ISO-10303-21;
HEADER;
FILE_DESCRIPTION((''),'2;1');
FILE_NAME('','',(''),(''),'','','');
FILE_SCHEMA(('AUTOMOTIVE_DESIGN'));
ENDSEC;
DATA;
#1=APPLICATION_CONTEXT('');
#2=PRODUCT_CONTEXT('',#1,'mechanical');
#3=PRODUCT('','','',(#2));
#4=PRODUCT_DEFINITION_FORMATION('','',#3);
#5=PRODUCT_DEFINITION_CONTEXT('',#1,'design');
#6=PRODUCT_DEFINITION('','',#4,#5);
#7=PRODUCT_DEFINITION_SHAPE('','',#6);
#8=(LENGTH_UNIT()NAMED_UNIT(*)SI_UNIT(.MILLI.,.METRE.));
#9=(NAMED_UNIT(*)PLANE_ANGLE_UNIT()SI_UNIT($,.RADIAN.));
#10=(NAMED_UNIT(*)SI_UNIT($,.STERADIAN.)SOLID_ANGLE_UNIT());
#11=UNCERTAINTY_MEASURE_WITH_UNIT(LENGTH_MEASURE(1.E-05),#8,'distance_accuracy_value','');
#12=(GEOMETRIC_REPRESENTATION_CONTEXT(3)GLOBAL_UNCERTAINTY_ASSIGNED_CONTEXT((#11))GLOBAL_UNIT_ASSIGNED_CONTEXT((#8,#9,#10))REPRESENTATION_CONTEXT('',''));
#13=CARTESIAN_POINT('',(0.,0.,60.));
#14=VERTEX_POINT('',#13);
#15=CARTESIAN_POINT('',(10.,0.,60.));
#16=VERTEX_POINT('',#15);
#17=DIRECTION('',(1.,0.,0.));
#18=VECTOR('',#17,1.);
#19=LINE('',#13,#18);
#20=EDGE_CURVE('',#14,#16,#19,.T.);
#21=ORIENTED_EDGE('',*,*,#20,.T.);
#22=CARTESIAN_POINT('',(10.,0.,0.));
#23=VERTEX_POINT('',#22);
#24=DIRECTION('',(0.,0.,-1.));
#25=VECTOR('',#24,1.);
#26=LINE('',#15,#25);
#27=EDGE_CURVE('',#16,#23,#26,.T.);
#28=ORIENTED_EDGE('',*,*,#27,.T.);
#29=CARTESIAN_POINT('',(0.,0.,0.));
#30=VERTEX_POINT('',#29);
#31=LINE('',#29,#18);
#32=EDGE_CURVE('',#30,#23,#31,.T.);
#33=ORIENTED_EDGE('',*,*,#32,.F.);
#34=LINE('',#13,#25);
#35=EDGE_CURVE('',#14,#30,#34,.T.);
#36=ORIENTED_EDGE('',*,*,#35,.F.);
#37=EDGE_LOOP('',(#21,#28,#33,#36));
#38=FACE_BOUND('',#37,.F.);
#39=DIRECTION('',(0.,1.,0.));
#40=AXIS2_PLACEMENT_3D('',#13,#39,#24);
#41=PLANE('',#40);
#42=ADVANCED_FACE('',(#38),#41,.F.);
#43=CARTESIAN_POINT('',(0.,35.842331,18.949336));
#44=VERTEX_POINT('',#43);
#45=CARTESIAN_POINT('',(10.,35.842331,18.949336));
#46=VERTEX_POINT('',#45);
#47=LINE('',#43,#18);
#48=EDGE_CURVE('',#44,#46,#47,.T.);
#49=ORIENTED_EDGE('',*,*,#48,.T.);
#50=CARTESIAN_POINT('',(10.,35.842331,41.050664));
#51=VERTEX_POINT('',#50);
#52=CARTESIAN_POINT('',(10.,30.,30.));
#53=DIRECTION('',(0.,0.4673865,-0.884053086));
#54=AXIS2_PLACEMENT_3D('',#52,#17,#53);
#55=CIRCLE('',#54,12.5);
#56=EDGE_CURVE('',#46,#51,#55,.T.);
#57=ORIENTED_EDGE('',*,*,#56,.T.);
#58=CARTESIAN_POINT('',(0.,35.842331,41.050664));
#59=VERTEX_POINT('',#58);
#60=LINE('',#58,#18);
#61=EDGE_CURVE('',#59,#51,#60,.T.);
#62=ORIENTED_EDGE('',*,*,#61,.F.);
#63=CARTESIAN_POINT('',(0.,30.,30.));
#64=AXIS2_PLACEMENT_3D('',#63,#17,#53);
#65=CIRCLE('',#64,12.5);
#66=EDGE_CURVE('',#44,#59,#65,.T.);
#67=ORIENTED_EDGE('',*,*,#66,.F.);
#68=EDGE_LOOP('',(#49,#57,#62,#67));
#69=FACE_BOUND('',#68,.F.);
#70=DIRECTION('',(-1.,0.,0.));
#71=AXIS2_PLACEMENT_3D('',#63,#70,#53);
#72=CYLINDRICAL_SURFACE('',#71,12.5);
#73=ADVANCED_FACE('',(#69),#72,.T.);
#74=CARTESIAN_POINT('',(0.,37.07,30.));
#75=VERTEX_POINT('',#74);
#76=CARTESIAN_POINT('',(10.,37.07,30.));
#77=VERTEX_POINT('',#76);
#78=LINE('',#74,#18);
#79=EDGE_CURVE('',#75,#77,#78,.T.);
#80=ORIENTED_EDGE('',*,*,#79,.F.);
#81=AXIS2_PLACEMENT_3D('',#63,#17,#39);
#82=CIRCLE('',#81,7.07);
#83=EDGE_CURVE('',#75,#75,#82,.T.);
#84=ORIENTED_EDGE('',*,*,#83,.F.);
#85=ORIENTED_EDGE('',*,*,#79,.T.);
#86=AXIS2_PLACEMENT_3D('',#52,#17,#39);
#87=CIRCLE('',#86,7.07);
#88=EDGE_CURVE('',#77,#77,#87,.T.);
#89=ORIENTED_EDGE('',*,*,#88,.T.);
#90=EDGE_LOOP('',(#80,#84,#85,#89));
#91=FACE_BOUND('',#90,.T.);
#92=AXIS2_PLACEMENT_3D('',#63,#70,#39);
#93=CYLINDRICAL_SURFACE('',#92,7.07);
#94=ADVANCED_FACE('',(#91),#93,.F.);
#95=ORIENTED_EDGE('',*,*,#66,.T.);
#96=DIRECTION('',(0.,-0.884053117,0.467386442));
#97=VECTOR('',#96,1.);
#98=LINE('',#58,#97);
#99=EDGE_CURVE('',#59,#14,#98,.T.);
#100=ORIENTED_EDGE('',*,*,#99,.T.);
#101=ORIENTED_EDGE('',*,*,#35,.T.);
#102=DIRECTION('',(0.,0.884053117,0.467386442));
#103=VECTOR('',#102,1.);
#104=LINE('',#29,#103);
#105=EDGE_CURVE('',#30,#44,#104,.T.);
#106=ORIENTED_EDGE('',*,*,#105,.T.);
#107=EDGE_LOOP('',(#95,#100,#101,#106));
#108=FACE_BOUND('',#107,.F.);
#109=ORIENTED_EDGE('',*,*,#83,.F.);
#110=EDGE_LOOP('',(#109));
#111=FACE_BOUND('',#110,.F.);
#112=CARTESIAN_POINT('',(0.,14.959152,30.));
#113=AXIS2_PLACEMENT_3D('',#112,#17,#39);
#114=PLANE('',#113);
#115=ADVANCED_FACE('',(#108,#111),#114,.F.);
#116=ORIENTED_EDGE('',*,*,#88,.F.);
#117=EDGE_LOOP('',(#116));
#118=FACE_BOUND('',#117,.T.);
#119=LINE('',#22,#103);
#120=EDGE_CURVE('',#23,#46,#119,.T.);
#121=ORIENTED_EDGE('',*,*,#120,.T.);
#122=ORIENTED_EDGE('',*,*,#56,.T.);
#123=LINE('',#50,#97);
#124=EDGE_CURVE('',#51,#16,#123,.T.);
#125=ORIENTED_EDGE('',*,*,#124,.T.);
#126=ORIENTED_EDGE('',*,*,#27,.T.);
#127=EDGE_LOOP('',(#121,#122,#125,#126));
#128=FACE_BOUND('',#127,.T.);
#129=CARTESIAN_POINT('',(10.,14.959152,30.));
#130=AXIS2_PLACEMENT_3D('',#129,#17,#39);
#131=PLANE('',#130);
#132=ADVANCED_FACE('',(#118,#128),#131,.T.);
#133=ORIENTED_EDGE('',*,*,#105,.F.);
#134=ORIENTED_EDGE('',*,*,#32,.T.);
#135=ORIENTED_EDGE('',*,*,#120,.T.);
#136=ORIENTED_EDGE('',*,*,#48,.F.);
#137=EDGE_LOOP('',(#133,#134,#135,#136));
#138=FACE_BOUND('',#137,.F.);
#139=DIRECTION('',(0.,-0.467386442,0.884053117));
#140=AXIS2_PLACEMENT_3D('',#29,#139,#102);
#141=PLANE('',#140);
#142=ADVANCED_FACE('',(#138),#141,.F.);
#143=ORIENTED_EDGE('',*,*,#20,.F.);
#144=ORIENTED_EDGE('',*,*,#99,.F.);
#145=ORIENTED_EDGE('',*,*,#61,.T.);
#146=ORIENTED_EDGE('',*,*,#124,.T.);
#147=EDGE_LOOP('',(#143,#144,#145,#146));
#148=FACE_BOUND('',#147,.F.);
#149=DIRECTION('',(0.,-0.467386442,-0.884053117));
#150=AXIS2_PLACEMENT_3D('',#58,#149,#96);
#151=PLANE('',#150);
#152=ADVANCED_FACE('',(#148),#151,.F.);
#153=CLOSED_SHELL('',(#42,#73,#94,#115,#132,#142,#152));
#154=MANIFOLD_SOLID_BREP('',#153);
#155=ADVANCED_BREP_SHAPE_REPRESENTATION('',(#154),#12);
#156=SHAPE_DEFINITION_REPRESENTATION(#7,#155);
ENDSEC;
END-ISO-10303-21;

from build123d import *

# Parameters (mm, degrees)
F0_R     = 7.07
F1_DEPTH = 10


with BuildPart() as f1:
    # F0 (on Right) → F1 (new body)
    with BuildSketch(Plane.YZ):
        with BuildLine():
            Line((0, 60), (0, 0))
            Line((0, 0), (35.842331, 18.949336))
            ThreePointArc((35.842331, 18.949336), (42.5, 30), (35.842331, 41.050664))
            Line((35.842331, 41.050664), (0, 60))
        make_face()
        with Locations((30, 30)):
            Circle(F0_R, mode=Mode.SUBTRACT)
    extrude(amount=F1_DEPTH)


solid = f1.part
